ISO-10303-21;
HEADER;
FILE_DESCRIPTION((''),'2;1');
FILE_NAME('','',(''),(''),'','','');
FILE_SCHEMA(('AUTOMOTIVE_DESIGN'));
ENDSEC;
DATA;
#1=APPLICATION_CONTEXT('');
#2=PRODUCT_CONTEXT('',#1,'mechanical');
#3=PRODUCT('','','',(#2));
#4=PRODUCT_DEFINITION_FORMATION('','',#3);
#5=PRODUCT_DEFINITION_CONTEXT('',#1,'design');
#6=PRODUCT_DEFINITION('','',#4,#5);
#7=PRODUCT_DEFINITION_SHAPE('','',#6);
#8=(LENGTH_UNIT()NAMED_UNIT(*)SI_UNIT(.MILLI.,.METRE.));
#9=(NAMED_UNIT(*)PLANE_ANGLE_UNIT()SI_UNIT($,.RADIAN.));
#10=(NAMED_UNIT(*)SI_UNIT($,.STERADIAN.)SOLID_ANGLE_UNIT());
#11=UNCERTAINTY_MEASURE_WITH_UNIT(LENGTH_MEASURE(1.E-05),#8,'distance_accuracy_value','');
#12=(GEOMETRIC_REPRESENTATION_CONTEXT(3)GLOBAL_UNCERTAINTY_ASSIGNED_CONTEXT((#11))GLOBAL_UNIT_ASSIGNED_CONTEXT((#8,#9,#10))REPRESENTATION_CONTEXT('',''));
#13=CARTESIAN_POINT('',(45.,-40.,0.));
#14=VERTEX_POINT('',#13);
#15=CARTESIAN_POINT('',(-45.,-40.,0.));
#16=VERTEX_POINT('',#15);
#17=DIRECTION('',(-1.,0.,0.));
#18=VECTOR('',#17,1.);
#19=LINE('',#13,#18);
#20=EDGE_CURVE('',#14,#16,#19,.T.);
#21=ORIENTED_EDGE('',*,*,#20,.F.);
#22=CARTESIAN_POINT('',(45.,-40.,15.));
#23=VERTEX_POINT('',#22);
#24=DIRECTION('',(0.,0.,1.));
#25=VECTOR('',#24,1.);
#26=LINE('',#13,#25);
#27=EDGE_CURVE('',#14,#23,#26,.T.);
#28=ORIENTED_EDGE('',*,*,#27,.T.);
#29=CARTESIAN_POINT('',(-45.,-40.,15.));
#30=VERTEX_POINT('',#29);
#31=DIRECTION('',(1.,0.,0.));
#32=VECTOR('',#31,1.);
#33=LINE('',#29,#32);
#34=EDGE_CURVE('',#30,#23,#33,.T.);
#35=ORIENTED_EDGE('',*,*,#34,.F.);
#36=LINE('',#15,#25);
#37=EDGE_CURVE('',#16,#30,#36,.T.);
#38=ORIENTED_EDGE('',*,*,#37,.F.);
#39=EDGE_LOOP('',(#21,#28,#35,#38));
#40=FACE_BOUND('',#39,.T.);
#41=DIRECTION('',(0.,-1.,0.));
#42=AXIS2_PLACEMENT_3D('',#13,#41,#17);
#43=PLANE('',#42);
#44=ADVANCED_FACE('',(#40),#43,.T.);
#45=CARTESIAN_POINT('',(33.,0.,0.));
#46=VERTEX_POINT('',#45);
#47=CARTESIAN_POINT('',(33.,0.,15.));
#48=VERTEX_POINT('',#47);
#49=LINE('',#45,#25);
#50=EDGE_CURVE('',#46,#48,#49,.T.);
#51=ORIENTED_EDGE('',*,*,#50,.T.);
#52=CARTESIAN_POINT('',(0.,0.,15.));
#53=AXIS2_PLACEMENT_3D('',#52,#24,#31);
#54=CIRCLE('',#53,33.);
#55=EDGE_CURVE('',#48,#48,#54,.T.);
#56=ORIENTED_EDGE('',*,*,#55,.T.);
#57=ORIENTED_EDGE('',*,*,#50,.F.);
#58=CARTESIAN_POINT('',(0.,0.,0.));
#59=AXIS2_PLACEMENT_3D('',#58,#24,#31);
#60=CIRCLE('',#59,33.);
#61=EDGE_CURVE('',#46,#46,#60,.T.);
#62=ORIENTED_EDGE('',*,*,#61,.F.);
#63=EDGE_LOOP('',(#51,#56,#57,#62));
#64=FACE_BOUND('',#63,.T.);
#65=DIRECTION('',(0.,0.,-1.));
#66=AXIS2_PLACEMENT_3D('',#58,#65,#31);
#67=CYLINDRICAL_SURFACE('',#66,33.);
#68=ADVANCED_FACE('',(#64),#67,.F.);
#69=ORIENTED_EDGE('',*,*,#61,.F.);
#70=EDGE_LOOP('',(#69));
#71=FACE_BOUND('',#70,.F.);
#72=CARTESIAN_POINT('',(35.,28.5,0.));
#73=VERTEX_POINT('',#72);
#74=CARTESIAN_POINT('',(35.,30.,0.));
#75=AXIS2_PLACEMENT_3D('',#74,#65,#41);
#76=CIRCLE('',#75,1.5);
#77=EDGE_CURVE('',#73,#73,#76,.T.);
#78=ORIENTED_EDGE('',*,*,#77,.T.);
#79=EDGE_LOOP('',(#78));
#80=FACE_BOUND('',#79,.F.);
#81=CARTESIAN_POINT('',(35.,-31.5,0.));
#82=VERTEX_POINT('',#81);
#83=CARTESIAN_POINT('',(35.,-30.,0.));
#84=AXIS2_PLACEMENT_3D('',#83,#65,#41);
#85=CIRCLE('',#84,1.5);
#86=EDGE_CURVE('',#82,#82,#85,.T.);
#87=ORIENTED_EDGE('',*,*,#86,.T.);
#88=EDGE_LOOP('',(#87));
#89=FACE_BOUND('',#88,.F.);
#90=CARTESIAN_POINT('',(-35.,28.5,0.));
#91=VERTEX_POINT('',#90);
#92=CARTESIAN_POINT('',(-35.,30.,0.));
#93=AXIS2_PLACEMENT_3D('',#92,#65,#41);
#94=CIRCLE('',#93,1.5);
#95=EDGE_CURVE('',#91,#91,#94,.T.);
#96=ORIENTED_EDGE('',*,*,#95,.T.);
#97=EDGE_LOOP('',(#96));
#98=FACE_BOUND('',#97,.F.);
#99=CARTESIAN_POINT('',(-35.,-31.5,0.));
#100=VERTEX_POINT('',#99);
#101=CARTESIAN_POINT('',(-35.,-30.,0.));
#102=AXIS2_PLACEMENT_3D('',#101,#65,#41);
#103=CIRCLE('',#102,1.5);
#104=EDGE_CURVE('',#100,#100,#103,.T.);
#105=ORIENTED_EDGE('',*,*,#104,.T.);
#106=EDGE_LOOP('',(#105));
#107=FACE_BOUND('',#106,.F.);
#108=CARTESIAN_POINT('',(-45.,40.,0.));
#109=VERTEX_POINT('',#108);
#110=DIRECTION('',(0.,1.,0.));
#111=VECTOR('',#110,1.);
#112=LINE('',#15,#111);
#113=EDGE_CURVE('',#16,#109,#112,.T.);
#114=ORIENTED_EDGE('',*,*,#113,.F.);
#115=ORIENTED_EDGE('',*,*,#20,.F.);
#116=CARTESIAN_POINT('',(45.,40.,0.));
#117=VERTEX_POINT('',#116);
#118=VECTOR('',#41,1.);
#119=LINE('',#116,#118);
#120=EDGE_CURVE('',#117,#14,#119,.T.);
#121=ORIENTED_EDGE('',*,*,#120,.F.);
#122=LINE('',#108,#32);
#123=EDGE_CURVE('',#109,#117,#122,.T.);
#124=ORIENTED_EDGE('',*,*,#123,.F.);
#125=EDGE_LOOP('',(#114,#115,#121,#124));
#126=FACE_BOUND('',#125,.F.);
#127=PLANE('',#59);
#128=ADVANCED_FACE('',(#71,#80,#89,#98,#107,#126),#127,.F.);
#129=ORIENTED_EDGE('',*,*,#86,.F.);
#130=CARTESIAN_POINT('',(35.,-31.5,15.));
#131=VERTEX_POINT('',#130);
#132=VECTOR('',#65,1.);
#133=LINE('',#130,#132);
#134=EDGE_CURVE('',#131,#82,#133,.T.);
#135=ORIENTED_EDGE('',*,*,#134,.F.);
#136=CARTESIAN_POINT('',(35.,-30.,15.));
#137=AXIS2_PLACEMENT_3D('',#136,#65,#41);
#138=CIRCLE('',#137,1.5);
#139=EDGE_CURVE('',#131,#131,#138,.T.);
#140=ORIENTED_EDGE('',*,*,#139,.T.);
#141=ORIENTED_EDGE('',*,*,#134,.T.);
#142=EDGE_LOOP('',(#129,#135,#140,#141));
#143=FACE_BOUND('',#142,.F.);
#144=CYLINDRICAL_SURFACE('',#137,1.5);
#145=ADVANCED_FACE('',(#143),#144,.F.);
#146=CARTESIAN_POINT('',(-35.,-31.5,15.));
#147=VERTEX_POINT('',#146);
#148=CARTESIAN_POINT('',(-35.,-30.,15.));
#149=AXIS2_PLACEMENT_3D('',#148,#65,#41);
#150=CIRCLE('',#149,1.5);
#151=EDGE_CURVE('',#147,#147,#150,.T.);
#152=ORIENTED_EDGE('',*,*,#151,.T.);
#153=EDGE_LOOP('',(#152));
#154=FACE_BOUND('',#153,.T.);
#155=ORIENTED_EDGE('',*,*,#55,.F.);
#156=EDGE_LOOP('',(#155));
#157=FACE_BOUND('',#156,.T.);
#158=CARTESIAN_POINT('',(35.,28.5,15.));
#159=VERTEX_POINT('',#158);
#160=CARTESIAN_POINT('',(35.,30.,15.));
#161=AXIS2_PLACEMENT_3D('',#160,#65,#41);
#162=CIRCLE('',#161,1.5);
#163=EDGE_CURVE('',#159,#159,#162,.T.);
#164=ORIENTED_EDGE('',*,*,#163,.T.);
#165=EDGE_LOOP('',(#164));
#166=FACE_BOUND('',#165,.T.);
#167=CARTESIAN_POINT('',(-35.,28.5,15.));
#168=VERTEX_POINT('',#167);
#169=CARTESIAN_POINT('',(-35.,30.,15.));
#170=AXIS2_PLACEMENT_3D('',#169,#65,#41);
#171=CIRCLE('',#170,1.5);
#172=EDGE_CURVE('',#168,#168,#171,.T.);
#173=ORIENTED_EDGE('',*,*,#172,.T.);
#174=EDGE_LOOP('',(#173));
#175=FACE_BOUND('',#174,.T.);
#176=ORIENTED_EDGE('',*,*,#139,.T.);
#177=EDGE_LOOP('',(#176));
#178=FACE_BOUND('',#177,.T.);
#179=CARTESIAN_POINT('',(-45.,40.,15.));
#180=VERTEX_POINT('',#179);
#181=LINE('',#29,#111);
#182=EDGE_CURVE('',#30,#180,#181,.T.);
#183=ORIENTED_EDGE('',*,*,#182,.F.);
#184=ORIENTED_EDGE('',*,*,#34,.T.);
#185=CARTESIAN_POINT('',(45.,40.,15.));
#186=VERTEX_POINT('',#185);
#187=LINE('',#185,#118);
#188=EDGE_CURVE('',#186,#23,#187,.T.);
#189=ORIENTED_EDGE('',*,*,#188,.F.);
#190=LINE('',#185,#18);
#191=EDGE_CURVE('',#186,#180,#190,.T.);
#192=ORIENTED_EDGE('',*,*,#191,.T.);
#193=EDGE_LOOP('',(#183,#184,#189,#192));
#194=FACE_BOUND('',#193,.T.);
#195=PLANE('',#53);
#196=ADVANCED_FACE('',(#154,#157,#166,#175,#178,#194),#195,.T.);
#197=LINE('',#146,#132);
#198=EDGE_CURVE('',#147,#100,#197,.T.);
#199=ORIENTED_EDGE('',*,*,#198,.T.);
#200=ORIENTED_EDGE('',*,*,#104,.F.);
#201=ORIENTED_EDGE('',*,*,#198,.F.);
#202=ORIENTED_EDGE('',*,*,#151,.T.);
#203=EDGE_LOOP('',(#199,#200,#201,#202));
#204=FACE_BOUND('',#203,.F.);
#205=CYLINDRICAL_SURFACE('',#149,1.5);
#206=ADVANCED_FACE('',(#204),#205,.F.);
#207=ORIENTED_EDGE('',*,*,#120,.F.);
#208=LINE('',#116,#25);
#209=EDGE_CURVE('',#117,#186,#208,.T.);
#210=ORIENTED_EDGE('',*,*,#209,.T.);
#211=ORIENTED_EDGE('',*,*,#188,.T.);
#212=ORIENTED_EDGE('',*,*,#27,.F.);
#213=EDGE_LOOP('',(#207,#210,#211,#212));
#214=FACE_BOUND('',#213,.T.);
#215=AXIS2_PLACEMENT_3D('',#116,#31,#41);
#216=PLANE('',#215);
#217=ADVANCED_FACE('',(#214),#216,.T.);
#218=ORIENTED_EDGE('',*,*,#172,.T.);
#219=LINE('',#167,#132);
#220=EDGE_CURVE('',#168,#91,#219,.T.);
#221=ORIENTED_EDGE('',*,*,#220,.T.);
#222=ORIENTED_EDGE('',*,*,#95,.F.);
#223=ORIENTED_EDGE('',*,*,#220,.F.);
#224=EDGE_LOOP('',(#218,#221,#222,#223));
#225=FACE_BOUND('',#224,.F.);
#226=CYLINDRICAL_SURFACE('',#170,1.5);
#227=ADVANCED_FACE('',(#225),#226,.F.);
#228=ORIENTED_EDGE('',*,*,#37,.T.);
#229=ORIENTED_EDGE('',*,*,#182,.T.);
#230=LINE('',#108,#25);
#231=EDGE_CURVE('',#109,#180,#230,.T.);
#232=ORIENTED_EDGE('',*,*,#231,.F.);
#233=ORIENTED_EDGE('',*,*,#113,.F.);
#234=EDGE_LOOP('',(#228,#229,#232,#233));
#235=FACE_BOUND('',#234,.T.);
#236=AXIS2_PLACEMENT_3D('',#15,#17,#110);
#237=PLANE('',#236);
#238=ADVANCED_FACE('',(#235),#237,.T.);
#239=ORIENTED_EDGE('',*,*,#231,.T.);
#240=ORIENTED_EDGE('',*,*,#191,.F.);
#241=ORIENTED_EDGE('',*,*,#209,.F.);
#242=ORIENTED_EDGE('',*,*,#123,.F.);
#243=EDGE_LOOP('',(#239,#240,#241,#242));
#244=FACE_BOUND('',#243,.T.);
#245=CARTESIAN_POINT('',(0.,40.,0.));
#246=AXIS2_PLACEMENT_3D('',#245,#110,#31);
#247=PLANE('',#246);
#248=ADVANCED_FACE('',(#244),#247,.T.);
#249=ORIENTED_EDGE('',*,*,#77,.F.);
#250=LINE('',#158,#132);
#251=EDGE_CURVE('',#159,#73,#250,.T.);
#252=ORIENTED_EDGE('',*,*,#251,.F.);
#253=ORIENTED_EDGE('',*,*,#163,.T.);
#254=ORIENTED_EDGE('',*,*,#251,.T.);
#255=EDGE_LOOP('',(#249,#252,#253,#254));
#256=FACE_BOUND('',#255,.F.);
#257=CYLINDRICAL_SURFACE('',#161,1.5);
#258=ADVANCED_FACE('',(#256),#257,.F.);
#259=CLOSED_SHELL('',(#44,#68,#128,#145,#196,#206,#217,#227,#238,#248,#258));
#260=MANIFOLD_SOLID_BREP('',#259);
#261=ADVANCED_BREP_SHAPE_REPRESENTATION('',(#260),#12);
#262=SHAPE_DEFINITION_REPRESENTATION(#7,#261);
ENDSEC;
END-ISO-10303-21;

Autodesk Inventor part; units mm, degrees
ref_plane "YZ Plane" through (0, 0, 0) normal (1, 0, 0) x (0, 1, 0)
ref_plane "XZ Plane" through (0, 0, 0) normal (0, 1, 0) x (-1, 0, 0)
ref_plane "XY Plane" through (0, 0, 0) normal (0, 0, 1) x (1, 0, 0)
sketch "スケッチ1" plane through (0, 0, 0) normal (0, 0, 1) x (1, 0, 0)
  circle A0 centre (0, 0) radius 40
  line L0 (-45, 40) -> (45, 40)
  line L1 (45, 40) -> (45, -40)
  line L2 (45, -40) -> (-45, -40)
  line L3 (-45, -40) -> (-45, 40)
  line L4 (-45, 40) -> (45, -40) construction
  line L5 (45, 40) -> (-45, -40) construction
  circle A1 centre (0, 0) radius 33
  dimension "d0" = 80
  dimension "d1" = 90
  dimension "d2" = 80
  dimension "d3" = 66
extrude "押し出し1" add sketch "スケッチ1" along normal blind 15
sketch "スケッチ2" plane through (0, 0, 15) normal (0, 0, 1) x (1, 0, 0)
  line L0 (-45, 40) -> (-35, 40)
  line L1 (-35, 40) -> (-35, 30)
  line L2 (-35, 30) -> (-45, 30)
  line L3 (-45, 30) -> (-45, 40)
  line L4 (-45, -40) -> (-35, -40)
  line L5 (-35, -40) -> (-35, -30)
  line L6 (-35, -30) -> (-45, -30)
  line L7 (-45, -30) -> (-45, -40)
  line L8 (45, -40) -> (35, -40)
  line L9 (35, -40) -> (35, -30)
  line L10 (35, -30) -> (45, -30)
  line L11 (45, -30) -> (45, -40)
  line L12 (45, 40) -> (35, 40)
  line L13 (35, 40) -> (35, 30)
  line L14 (35, 30) -> (45, 30)
  line L15 (45, 30) -> (45, 40)
  dimension "d6" = 10
  dimension "d7" = 10
  dimension "d8" = 10
  dimension "d9" = 10
  dimension "d10" = 10
  dimension "d11" = 10
  dimension "d12" = 10
hole "穴1" at (-35, 30, 15) at (-35, -30, 15) at (35, -30, 15) at (35, 30, 15) direction (0, 0, -1) diameter 3 depth 15 tip angle 118
properties part number "知能ロボコン発射筒スペーサ"
